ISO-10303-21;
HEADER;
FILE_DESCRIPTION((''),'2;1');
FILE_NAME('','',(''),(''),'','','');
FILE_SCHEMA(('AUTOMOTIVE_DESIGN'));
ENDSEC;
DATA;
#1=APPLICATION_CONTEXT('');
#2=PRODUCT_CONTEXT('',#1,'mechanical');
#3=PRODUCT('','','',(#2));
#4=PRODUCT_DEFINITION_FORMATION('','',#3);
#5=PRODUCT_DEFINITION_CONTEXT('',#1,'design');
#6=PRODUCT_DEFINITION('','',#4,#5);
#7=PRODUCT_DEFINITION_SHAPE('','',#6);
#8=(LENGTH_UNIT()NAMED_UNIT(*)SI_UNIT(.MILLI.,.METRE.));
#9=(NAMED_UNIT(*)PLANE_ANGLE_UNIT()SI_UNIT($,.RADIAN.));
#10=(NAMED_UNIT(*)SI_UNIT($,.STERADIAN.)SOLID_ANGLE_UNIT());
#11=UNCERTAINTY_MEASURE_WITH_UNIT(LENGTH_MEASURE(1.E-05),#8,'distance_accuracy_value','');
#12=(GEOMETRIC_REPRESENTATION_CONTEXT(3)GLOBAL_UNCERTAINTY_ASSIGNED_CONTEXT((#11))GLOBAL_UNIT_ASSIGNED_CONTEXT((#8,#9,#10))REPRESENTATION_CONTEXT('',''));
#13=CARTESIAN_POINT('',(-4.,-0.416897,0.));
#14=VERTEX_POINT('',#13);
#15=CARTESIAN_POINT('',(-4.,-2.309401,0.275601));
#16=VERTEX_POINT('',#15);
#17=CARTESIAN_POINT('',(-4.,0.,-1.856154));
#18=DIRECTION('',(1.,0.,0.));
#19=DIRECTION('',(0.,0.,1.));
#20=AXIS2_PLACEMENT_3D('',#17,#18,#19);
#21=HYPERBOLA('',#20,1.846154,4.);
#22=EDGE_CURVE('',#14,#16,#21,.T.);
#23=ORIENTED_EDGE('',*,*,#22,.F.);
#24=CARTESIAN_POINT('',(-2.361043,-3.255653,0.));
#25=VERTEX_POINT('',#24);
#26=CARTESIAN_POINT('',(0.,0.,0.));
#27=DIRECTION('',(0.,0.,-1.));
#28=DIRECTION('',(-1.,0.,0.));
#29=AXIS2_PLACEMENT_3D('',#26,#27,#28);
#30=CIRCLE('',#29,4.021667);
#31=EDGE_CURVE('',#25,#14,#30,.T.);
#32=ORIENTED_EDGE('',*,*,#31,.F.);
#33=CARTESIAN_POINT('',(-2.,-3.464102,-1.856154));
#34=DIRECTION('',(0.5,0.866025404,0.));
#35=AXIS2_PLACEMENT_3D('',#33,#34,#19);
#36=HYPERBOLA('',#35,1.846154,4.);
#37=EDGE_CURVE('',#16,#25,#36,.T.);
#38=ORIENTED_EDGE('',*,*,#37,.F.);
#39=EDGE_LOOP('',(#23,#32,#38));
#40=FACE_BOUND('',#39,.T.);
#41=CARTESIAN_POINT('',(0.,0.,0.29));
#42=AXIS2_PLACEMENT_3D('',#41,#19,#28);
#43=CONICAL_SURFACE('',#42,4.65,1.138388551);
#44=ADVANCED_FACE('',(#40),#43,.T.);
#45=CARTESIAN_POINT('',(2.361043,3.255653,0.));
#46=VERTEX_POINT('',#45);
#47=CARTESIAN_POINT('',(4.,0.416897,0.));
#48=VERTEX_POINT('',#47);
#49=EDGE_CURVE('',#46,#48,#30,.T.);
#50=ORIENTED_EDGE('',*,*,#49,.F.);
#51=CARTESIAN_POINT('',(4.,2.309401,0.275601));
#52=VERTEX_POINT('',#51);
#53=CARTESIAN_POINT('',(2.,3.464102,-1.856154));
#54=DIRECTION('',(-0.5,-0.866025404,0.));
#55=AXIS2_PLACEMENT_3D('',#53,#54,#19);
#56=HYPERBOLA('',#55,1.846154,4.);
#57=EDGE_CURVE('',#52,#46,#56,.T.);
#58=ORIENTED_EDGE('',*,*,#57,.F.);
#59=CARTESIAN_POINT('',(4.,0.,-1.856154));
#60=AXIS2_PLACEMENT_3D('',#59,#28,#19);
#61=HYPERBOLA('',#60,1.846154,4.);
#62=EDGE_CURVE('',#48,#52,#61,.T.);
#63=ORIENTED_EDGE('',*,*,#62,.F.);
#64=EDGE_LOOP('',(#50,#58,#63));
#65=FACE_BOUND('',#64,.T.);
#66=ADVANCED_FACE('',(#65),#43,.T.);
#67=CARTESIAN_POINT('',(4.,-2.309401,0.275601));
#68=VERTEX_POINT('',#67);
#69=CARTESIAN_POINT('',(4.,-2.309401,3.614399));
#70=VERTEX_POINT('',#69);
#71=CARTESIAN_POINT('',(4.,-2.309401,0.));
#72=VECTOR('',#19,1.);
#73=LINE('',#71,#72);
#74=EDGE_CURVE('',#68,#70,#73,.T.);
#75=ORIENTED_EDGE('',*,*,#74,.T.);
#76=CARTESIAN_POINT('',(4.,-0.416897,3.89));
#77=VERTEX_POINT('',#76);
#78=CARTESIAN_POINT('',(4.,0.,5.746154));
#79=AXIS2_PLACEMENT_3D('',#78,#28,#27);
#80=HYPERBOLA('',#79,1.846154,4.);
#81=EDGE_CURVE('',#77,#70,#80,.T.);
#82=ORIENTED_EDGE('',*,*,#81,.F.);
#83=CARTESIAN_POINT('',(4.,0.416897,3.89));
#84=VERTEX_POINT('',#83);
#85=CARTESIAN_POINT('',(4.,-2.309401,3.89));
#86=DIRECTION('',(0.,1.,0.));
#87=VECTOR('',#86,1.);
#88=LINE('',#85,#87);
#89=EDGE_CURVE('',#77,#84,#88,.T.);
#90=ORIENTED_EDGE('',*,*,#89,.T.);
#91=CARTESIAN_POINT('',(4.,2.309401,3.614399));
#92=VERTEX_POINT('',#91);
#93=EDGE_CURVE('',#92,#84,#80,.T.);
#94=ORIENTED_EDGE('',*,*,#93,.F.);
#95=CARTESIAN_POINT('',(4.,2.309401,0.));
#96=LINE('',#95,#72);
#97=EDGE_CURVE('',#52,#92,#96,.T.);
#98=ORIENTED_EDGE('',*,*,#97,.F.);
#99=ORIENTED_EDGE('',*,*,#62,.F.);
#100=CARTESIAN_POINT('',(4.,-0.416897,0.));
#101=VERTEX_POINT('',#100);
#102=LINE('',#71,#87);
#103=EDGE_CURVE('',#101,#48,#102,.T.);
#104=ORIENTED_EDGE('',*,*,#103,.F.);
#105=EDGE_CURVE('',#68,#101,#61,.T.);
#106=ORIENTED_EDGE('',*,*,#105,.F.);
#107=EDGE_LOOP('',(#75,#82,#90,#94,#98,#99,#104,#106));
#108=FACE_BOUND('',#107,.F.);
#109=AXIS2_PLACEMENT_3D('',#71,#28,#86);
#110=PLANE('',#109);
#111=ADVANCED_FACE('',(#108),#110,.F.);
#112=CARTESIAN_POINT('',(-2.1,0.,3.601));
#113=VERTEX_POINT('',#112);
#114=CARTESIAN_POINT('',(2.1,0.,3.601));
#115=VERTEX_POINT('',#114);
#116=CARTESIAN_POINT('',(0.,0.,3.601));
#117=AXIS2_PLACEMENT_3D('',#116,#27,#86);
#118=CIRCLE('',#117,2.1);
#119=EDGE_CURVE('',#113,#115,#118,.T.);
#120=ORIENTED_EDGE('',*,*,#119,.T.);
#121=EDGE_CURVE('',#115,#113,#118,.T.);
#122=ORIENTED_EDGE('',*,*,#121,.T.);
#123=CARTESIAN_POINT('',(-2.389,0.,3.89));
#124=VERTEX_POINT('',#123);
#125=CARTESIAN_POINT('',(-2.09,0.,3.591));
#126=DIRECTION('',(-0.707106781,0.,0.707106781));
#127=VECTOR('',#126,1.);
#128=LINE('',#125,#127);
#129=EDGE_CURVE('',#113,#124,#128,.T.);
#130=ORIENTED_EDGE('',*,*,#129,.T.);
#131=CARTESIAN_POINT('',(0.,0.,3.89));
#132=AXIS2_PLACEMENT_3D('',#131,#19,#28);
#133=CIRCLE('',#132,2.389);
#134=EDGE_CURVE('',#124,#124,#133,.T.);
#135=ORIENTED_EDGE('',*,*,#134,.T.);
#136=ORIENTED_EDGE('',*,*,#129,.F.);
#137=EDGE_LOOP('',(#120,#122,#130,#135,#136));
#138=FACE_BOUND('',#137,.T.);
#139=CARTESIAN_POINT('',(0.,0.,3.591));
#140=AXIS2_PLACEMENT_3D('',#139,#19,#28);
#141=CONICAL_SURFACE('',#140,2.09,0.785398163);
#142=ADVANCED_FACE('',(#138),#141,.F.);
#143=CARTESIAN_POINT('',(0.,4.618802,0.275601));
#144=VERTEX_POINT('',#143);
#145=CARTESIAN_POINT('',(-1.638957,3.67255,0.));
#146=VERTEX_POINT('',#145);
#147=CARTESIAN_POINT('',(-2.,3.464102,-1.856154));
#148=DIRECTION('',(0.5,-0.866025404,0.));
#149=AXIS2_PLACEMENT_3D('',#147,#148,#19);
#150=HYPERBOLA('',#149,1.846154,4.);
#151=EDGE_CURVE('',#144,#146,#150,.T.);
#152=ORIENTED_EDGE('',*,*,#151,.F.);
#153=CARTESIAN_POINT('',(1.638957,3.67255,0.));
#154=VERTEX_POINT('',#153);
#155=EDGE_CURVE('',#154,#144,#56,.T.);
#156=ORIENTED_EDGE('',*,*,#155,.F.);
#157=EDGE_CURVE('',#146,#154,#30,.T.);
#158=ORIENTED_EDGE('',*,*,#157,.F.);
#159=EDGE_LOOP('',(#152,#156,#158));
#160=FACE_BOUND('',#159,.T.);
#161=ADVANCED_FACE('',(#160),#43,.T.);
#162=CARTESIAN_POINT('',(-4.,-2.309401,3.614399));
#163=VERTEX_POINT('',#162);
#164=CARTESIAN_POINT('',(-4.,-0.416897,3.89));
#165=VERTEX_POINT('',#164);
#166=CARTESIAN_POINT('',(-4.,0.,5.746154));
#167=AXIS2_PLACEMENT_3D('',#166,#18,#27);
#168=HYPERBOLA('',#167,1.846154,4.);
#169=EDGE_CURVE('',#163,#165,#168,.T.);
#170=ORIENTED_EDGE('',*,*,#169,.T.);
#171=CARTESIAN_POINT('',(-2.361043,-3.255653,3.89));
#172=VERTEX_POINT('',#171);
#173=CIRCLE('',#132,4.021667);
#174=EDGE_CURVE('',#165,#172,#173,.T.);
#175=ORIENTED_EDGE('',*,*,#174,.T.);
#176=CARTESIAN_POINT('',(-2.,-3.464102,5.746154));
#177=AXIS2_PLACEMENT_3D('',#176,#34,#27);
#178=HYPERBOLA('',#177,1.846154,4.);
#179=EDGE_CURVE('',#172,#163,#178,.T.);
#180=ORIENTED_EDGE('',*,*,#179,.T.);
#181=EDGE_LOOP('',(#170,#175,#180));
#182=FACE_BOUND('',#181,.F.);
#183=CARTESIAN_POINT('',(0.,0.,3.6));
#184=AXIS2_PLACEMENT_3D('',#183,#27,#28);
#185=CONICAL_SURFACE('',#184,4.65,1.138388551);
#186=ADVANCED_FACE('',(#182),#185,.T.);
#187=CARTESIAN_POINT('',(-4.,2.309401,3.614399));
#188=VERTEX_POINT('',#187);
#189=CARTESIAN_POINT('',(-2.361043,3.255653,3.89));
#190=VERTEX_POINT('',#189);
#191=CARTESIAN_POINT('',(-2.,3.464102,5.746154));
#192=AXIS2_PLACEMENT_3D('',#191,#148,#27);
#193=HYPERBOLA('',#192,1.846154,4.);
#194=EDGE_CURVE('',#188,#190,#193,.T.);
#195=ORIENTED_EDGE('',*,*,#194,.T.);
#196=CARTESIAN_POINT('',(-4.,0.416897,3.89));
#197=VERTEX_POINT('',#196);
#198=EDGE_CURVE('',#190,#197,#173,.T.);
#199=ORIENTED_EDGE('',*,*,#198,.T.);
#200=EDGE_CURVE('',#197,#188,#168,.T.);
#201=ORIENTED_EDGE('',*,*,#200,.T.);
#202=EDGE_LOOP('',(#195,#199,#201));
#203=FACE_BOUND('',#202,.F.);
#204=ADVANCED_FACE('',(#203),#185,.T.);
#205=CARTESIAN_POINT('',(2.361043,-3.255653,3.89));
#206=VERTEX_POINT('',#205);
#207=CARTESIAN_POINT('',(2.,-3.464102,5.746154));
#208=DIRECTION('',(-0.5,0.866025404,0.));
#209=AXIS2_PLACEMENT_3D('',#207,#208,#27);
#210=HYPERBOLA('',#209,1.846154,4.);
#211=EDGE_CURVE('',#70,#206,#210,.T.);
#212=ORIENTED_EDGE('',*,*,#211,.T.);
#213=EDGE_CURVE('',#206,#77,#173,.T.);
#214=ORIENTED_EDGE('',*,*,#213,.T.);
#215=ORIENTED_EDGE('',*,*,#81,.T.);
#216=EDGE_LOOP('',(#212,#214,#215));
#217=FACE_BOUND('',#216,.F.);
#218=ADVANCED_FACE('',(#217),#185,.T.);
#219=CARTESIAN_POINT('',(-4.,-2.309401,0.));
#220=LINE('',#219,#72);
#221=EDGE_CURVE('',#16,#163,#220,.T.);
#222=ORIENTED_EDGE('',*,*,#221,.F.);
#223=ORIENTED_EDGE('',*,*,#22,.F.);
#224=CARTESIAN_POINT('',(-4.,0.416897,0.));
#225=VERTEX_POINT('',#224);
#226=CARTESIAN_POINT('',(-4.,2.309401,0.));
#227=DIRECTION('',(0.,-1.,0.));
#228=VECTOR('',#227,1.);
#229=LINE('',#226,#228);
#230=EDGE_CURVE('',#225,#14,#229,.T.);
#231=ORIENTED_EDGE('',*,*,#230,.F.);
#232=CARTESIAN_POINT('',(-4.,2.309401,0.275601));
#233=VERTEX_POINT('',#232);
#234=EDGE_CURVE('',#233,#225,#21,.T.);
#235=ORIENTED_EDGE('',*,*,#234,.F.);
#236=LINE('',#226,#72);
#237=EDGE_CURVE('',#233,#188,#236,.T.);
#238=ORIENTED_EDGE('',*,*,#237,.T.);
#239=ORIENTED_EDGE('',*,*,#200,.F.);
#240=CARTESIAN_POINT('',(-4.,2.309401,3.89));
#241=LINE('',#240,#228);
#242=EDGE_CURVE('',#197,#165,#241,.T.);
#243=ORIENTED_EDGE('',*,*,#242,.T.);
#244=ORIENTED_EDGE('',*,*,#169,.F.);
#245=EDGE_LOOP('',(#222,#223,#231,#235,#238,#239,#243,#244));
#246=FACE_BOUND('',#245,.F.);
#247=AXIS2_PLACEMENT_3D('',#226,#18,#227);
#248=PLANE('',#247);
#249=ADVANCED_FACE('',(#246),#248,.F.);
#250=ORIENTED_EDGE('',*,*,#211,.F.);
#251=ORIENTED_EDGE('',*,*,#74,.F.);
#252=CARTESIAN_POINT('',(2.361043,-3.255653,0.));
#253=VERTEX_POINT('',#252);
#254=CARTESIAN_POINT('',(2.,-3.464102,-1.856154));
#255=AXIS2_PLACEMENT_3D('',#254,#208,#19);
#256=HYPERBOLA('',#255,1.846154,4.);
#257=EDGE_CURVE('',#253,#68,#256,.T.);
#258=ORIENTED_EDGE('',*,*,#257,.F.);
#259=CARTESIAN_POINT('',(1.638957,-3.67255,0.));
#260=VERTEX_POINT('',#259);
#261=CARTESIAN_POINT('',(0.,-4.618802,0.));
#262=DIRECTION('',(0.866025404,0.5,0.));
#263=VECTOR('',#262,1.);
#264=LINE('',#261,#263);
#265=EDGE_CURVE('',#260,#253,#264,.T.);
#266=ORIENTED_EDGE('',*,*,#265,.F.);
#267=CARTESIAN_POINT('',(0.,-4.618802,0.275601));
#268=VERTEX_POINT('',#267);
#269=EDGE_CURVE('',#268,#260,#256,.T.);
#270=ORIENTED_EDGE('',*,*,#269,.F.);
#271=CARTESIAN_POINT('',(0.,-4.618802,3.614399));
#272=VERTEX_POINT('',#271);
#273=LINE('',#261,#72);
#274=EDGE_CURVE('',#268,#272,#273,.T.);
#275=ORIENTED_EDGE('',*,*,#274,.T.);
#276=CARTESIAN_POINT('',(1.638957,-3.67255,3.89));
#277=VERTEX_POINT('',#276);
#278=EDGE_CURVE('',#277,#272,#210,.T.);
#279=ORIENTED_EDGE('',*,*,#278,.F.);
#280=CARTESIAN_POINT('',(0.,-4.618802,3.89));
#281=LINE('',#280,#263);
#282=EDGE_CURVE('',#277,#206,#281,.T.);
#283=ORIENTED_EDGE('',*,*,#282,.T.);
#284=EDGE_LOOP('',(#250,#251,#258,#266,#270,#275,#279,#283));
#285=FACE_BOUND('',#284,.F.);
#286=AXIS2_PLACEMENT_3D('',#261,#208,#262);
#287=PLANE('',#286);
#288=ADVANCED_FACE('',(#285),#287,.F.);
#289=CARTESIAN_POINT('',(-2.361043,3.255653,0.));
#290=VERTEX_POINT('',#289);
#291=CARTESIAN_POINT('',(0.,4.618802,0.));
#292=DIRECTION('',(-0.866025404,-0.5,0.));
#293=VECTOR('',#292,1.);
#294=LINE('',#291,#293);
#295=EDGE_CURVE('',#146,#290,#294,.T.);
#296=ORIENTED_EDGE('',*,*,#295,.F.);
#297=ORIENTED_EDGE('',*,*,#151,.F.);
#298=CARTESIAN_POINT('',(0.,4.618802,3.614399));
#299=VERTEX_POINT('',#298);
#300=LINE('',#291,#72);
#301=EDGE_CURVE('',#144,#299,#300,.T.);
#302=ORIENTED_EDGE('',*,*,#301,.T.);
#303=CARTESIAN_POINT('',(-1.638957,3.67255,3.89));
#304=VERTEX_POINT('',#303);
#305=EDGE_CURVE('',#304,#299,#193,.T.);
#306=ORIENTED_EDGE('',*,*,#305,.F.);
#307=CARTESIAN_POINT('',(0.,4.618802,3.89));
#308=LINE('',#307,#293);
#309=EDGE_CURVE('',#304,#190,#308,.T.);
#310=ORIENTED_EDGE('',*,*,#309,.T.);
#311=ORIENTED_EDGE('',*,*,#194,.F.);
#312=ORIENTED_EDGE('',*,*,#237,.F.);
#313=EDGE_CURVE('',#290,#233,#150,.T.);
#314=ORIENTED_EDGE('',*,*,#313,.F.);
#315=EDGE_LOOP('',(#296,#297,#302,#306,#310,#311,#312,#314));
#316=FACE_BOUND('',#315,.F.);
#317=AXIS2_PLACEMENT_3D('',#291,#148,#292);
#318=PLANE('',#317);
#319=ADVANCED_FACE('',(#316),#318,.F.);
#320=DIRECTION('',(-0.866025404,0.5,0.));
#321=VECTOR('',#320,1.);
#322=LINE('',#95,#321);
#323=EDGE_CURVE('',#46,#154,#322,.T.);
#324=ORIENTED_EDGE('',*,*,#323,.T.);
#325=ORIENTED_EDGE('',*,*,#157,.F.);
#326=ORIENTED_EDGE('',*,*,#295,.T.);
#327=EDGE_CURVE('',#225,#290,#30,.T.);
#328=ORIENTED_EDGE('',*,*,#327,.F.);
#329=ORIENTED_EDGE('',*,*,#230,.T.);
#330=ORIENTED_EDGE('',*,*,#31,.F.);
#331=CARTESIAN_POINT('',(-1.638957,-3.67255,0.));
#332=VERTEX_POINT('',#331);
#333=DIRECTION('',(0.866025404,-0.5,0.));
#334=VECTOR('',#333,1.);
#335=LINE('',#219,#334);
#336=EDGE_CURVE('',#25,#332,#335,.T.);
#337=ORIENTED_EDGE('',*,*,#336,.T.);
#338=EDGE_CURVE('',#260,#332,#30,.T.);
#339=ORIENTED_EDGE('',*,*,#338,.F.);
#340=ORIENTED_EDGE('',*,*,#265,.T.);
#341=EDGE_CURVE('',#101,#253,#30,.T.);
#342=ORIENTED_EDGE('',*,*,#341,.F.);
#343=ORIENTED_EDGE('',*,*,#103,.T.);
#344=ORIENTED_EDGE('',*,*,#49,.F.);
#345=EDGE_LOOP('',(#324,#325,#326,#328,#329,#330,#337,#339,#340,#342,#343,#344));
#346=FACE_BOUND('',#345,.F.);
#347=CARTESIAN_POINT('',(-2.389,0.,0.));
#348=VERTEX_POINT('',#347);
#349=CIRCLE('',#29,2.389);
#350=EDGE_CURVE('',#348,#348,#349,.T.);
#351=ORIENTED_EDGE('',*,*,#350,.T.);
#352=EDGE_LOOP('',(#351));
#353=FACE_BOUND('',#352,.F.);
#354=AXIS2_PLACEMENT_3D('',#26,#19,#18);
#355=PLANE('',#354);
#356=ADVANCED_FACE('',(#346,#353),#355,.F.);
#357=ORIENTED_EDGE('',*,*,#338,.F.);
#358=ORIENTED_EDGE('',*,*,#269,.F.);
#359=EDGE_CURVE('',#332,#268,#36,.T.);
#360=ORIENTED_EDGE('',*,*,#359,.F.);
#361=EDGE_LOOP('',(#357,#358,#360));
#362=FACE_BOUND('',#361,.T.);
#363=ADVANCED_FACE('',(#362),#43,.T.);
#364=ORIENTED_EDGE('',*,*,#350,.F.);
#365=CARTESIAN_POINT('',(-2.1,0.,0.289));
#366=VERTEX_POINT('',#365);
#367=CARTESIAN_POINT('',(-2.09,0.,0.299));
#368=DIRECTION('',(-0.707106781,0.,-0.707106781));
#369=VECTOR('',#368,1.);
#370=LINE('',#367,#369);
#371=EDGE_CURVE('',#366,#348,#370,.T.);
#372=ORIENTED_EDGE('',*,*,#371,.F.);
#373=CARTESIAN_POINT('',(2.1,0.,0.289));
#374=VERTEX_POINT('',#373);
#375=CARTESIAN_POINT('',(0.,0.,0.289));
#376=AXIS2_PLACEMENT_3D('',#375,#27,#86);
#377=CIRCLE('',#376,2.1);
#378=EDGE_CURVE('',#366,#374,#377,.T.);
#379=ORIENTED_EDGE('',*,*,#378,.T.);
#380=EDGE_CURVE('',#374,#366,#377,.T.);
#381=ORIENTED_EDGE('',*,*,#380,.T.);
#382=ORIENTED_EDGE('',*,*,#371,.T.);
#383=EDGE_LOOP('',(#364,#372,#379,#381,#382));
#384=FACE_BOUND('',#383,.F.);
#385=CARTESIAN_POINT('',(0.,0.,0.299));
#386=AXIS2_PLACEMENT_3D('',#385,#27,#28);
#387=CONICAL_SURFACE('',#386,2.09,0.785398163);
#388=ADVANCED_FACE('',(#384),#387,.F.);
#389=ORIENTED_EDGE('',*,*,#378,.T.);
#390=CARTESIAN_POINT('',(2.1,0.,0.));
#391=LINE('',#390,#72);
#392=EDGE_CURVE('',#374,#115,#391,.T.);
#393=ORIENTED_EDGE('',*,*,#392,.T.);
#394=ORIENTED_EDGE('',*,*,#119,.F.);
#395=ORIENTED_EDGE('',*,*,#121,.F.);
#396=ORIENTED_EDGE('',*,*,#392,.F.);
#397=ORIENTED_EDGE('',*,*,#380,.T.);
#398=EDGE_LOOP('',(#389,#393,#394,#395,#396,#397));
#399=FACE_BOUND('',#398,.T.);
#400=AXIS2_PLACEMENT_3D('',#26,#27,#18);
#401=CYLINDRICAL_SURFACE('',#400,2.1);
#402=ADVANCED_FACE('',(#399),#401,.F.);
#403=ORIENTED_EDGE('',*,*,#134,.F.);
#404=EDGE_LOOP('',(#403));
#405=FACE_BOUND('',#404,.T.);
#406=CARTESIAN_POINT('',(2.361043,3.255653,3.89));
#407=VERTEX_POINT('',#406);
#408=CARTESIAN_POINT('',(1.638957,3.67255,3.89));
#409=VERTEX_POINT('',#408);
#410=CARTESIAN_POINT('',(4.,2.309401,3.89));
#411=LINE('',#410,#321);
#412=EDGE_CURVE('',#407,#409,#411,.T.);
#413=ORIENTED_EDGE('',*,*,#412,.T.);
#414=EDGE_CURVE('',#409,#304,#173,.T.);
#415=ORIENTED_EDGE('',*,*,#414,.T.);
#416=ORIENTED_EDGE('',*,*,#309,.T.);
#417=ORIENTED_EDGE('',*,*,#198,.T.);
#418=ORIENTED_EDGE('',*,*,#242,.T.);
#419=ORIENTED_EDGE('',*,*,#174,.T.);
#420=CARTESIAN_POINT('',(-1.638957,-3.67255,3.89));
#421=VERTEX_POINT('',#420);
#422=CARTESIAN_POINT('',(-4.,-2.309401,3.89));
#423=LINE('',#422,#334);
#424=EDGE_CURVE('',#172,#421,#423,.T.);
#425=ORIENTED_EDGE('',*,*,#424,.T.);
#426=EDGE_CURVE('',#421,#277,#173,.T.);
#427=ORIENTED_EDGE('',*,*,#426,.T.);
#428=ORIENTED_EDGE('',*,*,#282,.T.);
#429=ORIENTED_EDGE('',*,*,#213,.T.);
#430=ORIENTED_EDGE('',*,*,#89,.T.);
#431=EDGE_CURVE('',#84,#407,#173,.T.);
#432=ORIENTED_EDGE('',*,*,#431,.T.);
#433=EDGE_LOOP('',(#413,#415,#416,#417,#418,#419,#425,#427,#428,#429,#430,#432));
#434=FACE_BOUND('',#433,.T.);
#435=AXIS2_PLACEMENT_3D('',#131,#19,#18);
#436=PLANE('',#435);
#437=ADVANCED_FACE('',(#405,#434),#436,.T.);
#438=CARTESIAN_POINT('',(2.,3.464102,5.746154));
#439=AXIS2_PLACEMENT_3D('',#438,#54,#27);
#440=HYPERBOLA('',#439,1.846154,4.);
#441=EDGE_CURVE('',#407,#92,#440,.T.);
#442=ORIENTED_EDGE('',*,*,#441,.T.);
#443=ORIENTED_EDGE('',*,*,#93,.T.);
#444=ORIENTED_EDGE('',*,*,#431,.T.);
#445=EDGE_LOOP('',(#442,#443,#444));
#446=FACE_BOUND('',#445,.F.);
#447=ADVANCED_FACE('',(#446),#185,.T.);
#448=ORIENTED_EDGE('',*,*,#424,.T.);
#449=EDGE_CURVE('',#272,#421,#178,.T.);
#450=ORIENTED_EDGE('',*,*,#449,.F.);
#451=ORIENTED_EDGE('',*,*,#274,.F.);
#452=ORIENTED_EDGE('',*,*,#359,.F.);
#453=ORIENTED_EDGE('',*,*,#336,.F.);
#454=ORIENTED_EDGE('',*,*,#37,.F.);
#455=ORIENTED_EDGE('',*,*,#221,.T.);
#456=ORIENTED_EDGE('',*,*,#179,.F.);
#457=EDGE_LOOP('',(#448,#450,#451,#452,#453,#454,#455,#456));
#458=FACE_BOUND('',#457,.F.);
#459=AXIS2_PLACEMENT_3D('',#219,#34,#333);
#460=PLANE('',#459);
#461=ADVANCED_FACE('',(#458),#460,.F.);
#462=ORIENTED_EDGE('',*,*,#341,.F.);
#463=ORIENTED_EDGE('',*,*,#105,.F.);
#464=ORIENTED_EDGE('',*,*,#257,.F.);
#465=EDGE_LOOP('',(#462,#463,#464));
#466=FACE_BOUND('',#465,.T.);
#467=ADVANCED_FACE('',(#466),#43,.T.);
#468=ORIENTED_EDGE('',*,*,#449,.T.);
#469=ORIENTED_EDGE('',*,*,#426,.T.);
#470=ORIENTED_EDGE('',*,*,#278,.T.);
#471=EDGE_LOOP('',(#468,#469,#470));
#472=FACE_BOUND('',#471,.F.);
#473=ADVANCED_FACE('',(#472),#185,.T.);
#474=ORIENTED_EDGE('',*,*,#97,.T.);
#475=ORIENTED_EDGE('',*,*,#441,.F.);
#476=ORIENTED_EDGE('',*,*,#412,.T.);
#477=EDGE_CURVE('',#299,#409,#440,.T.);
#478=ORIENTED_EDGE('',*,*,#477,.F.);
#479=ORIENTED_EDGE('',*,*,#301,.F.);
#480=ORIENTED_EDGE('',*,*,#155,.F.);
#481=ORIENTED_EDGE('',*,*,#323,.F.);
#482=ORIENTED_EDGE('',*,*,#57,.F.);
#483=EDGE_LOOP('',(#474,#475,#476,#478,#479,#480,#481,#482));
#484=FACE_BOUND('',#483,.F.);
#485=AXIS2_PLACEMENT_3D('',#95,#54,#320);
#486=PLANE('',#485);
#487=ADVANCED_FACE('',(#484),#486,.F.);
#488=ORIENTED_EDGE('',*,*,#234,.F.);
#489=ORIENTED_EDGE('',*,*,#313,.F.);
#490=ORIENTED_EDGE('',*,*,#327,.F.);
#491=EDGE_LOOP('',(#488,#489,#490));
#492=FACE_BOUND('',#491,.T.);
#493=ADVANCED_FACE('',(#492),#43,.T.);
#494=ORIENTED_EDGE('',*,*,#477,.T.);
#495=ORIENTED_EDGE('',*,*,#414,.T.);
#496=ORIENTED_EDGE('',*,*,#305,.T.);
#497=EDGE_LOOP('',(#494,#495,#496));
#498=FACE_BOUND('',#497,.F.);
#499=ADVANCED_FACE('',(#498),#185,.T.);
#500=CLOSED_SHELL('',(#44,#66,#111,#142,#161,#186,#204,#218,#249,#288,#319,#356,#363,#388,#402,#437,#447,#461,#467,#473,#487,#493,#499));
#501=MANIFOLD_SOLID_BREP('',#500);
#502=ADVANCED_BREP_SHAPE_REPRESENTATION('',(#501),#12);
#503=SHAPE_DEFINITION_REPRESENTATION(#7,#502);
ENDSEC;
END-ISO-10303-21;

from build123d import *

# Parameters (mm, degrees)
SKETCH_1_R      = 2.1
EXTRUDE_1_DEPTH = 3.89


with BuildPart() as part:
    # 스케치1 → 보스-돌출1 (new body)
    with BuildSketch(Plane.XY):
        Polygon((0, 4.618802154), (-4, 2.309401077), (-4, -2.309401077), (0, -4.618802154), (4, -2.309401077), (4, 2.309401077), align=None)
        Circle(SKETCH_1_R, mode=Mode.SUBTRACT)
    extrude(amount=EXTRUDE_1_DEPTH)

    # 스케치3 → 컷-회전3 (revolve, cut)
    with BuildSketch(Plane(origin=(0, 0, 0), x_dir=(1, 0, 0), z_dir=(0, 1, 0)), mode=Mode.PRIVATE) as cut_revolve_3_sk:
        Polygon((2.09, 0.001), (2.09, -0.299), (2.39, 0.001), align=None)
        Polygon((4, 0.01), (4.65, 0.01), (4.65, -0.29), align=None)
        Polygon((4.65, -3.6), (4, -3.9), (4.65, -3.9), align=None)
        Polygon((2.39, -3.891), (2.09, -3.891), (2.09, -3.591), align=None)
    revolve(cut_revolve_3_sk.sketch.rotate(Axis((0, 0, 1.945), (0, 0, -1)), 180), axis=Axis((0, 0, 1.945), (0, 0, -1)), mode=Mode.SUBTRACT)


solid = part.part
